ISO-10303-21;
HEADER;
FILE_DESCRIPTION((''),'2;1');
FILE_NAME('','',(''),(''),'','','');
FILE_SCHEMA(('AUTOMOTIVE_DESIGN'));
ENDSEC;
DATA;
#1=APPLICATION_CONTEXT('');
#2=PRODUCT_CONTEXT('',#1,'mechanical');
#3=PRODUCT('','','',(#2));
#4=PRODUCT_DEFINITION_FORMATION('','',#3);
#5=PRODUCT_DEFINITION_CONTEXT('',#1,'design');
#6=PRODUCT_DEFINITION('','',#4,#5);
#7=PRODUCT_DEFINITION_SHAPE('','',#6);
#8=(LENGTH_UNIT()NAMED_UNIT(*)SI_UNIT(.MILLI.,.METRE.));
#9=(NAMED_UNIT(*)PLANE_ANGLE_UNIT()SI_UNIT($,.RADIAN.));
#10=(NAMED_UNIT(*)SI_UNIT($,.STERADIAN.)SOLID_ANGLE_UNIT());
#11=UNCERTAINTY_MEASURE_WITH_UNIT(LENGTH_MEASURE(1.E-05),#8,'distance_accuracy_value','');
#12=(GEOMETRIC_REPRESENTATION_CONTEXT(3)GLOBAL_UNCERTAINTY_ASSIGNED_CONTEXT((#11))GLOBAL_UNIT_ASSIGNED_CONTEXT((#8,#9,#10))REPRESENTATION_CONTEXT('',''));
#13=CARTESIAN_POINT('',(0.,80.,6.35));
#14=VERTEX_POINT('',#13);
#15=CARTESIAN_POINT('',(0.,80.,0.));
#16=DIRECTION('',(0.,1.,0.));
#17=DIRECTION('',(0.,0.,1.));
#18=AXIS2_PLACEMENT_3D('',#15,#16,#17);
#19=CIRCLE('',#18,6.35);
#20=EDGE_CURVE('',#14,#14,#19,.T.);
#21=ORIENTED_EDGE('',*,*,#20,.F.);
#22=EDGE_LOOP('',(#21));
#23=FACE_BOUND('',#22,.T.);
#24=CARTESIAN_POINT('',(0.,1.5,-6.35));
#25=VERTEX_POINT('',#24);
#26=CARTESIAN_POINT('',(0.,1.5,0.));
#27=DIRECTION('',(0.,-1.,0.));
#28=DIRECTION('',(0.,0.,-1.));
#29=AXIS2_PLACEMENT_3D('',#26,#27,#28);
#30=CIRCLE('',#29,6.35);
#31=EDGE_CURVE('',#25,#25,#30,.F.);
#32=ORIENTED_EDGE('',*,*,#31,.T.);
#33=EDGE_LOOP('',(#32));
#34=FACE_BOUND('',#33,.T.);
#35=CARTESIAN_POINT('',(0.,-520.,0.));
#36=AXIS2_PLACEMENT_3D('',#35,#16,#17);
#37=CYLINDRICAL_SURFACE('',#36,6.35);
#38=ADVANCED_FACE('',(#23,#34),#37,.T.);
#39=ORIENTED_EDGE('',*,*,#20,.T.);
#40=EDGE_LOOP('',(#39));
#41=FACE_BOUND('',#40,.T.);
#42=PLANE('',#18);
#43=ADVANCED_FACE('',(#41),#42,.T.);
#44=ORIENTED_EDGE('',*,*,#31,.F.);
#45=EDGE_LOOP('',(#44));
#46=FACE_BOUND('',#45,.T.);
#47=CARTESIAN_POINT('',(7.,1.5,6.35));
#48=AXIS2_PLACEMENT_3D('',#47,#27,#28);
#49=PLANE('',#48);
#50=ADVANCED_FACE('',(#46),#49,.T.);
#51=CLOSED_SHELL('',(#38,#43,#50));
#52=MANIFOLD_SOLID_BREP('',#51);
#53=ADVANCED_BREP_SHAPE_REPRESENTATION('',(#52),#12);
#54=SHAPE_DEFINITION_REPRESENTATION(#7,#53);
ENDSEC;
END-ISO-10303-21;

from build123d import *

# Parameters (mm, degrees)
SKETCH1_R               = 3
BOSS_EXTRUDE1_DEPTH     = 80
SKETCH2_R               = 6.35
BOSS_EXTRUDE2_DEPTH     = 600
CUT_EXTRUDE1_DEPTH      = 7
CUT_EXTRUDE1_DEPTH_BACK = 7
SKETCH3_W               = 12.7
SKETCH3_H               = 521.5


with BuildPart() as part:
    # Sketch1 → Boss-Extrude1 (new body)
    with BuildSketch(Plane(origin=(0, 0, 0), x_dir=(1, 0, 0), z_dir=(0, 1, 0))):
        Circle(SKETCH1_R)
    extrude(amount=BOSS_EXTRUDE1_DEPTH)

    # Sketch2 → Boss-Extrude2 (add)
    with BuildSketch(Plane(origin=(0, 80, 0), x_dir=(1, 0, 0), z_dir=(0, 1, 0))):
        Circle(SKETCH2_R)
    extrude(amount=-BOSS_EXTRUDE2_DEPTH)

    # Sketch3 → Cut-Extrude1 (cut, two sides: drawn at the far end of the back side and taken through both)
    with BuildSketch(Plane(origin=(0, 0, 0), x_dir=(0, 0, -1), z_dir=(1, 0, 0)).offset(-CUT_EXTRUDE1_DEPTH_BACK)):
        with Locations((0, -259.25)):
            Rectangle(SKETCH3_W, SKETCH3_H)
    extrude(amount=CUT_EXTRUDE1_DEPTH + CUT_EXTRUDE1_DEPTH_BACK, mode=Mode.SUBTRACT)


solid = part.part
